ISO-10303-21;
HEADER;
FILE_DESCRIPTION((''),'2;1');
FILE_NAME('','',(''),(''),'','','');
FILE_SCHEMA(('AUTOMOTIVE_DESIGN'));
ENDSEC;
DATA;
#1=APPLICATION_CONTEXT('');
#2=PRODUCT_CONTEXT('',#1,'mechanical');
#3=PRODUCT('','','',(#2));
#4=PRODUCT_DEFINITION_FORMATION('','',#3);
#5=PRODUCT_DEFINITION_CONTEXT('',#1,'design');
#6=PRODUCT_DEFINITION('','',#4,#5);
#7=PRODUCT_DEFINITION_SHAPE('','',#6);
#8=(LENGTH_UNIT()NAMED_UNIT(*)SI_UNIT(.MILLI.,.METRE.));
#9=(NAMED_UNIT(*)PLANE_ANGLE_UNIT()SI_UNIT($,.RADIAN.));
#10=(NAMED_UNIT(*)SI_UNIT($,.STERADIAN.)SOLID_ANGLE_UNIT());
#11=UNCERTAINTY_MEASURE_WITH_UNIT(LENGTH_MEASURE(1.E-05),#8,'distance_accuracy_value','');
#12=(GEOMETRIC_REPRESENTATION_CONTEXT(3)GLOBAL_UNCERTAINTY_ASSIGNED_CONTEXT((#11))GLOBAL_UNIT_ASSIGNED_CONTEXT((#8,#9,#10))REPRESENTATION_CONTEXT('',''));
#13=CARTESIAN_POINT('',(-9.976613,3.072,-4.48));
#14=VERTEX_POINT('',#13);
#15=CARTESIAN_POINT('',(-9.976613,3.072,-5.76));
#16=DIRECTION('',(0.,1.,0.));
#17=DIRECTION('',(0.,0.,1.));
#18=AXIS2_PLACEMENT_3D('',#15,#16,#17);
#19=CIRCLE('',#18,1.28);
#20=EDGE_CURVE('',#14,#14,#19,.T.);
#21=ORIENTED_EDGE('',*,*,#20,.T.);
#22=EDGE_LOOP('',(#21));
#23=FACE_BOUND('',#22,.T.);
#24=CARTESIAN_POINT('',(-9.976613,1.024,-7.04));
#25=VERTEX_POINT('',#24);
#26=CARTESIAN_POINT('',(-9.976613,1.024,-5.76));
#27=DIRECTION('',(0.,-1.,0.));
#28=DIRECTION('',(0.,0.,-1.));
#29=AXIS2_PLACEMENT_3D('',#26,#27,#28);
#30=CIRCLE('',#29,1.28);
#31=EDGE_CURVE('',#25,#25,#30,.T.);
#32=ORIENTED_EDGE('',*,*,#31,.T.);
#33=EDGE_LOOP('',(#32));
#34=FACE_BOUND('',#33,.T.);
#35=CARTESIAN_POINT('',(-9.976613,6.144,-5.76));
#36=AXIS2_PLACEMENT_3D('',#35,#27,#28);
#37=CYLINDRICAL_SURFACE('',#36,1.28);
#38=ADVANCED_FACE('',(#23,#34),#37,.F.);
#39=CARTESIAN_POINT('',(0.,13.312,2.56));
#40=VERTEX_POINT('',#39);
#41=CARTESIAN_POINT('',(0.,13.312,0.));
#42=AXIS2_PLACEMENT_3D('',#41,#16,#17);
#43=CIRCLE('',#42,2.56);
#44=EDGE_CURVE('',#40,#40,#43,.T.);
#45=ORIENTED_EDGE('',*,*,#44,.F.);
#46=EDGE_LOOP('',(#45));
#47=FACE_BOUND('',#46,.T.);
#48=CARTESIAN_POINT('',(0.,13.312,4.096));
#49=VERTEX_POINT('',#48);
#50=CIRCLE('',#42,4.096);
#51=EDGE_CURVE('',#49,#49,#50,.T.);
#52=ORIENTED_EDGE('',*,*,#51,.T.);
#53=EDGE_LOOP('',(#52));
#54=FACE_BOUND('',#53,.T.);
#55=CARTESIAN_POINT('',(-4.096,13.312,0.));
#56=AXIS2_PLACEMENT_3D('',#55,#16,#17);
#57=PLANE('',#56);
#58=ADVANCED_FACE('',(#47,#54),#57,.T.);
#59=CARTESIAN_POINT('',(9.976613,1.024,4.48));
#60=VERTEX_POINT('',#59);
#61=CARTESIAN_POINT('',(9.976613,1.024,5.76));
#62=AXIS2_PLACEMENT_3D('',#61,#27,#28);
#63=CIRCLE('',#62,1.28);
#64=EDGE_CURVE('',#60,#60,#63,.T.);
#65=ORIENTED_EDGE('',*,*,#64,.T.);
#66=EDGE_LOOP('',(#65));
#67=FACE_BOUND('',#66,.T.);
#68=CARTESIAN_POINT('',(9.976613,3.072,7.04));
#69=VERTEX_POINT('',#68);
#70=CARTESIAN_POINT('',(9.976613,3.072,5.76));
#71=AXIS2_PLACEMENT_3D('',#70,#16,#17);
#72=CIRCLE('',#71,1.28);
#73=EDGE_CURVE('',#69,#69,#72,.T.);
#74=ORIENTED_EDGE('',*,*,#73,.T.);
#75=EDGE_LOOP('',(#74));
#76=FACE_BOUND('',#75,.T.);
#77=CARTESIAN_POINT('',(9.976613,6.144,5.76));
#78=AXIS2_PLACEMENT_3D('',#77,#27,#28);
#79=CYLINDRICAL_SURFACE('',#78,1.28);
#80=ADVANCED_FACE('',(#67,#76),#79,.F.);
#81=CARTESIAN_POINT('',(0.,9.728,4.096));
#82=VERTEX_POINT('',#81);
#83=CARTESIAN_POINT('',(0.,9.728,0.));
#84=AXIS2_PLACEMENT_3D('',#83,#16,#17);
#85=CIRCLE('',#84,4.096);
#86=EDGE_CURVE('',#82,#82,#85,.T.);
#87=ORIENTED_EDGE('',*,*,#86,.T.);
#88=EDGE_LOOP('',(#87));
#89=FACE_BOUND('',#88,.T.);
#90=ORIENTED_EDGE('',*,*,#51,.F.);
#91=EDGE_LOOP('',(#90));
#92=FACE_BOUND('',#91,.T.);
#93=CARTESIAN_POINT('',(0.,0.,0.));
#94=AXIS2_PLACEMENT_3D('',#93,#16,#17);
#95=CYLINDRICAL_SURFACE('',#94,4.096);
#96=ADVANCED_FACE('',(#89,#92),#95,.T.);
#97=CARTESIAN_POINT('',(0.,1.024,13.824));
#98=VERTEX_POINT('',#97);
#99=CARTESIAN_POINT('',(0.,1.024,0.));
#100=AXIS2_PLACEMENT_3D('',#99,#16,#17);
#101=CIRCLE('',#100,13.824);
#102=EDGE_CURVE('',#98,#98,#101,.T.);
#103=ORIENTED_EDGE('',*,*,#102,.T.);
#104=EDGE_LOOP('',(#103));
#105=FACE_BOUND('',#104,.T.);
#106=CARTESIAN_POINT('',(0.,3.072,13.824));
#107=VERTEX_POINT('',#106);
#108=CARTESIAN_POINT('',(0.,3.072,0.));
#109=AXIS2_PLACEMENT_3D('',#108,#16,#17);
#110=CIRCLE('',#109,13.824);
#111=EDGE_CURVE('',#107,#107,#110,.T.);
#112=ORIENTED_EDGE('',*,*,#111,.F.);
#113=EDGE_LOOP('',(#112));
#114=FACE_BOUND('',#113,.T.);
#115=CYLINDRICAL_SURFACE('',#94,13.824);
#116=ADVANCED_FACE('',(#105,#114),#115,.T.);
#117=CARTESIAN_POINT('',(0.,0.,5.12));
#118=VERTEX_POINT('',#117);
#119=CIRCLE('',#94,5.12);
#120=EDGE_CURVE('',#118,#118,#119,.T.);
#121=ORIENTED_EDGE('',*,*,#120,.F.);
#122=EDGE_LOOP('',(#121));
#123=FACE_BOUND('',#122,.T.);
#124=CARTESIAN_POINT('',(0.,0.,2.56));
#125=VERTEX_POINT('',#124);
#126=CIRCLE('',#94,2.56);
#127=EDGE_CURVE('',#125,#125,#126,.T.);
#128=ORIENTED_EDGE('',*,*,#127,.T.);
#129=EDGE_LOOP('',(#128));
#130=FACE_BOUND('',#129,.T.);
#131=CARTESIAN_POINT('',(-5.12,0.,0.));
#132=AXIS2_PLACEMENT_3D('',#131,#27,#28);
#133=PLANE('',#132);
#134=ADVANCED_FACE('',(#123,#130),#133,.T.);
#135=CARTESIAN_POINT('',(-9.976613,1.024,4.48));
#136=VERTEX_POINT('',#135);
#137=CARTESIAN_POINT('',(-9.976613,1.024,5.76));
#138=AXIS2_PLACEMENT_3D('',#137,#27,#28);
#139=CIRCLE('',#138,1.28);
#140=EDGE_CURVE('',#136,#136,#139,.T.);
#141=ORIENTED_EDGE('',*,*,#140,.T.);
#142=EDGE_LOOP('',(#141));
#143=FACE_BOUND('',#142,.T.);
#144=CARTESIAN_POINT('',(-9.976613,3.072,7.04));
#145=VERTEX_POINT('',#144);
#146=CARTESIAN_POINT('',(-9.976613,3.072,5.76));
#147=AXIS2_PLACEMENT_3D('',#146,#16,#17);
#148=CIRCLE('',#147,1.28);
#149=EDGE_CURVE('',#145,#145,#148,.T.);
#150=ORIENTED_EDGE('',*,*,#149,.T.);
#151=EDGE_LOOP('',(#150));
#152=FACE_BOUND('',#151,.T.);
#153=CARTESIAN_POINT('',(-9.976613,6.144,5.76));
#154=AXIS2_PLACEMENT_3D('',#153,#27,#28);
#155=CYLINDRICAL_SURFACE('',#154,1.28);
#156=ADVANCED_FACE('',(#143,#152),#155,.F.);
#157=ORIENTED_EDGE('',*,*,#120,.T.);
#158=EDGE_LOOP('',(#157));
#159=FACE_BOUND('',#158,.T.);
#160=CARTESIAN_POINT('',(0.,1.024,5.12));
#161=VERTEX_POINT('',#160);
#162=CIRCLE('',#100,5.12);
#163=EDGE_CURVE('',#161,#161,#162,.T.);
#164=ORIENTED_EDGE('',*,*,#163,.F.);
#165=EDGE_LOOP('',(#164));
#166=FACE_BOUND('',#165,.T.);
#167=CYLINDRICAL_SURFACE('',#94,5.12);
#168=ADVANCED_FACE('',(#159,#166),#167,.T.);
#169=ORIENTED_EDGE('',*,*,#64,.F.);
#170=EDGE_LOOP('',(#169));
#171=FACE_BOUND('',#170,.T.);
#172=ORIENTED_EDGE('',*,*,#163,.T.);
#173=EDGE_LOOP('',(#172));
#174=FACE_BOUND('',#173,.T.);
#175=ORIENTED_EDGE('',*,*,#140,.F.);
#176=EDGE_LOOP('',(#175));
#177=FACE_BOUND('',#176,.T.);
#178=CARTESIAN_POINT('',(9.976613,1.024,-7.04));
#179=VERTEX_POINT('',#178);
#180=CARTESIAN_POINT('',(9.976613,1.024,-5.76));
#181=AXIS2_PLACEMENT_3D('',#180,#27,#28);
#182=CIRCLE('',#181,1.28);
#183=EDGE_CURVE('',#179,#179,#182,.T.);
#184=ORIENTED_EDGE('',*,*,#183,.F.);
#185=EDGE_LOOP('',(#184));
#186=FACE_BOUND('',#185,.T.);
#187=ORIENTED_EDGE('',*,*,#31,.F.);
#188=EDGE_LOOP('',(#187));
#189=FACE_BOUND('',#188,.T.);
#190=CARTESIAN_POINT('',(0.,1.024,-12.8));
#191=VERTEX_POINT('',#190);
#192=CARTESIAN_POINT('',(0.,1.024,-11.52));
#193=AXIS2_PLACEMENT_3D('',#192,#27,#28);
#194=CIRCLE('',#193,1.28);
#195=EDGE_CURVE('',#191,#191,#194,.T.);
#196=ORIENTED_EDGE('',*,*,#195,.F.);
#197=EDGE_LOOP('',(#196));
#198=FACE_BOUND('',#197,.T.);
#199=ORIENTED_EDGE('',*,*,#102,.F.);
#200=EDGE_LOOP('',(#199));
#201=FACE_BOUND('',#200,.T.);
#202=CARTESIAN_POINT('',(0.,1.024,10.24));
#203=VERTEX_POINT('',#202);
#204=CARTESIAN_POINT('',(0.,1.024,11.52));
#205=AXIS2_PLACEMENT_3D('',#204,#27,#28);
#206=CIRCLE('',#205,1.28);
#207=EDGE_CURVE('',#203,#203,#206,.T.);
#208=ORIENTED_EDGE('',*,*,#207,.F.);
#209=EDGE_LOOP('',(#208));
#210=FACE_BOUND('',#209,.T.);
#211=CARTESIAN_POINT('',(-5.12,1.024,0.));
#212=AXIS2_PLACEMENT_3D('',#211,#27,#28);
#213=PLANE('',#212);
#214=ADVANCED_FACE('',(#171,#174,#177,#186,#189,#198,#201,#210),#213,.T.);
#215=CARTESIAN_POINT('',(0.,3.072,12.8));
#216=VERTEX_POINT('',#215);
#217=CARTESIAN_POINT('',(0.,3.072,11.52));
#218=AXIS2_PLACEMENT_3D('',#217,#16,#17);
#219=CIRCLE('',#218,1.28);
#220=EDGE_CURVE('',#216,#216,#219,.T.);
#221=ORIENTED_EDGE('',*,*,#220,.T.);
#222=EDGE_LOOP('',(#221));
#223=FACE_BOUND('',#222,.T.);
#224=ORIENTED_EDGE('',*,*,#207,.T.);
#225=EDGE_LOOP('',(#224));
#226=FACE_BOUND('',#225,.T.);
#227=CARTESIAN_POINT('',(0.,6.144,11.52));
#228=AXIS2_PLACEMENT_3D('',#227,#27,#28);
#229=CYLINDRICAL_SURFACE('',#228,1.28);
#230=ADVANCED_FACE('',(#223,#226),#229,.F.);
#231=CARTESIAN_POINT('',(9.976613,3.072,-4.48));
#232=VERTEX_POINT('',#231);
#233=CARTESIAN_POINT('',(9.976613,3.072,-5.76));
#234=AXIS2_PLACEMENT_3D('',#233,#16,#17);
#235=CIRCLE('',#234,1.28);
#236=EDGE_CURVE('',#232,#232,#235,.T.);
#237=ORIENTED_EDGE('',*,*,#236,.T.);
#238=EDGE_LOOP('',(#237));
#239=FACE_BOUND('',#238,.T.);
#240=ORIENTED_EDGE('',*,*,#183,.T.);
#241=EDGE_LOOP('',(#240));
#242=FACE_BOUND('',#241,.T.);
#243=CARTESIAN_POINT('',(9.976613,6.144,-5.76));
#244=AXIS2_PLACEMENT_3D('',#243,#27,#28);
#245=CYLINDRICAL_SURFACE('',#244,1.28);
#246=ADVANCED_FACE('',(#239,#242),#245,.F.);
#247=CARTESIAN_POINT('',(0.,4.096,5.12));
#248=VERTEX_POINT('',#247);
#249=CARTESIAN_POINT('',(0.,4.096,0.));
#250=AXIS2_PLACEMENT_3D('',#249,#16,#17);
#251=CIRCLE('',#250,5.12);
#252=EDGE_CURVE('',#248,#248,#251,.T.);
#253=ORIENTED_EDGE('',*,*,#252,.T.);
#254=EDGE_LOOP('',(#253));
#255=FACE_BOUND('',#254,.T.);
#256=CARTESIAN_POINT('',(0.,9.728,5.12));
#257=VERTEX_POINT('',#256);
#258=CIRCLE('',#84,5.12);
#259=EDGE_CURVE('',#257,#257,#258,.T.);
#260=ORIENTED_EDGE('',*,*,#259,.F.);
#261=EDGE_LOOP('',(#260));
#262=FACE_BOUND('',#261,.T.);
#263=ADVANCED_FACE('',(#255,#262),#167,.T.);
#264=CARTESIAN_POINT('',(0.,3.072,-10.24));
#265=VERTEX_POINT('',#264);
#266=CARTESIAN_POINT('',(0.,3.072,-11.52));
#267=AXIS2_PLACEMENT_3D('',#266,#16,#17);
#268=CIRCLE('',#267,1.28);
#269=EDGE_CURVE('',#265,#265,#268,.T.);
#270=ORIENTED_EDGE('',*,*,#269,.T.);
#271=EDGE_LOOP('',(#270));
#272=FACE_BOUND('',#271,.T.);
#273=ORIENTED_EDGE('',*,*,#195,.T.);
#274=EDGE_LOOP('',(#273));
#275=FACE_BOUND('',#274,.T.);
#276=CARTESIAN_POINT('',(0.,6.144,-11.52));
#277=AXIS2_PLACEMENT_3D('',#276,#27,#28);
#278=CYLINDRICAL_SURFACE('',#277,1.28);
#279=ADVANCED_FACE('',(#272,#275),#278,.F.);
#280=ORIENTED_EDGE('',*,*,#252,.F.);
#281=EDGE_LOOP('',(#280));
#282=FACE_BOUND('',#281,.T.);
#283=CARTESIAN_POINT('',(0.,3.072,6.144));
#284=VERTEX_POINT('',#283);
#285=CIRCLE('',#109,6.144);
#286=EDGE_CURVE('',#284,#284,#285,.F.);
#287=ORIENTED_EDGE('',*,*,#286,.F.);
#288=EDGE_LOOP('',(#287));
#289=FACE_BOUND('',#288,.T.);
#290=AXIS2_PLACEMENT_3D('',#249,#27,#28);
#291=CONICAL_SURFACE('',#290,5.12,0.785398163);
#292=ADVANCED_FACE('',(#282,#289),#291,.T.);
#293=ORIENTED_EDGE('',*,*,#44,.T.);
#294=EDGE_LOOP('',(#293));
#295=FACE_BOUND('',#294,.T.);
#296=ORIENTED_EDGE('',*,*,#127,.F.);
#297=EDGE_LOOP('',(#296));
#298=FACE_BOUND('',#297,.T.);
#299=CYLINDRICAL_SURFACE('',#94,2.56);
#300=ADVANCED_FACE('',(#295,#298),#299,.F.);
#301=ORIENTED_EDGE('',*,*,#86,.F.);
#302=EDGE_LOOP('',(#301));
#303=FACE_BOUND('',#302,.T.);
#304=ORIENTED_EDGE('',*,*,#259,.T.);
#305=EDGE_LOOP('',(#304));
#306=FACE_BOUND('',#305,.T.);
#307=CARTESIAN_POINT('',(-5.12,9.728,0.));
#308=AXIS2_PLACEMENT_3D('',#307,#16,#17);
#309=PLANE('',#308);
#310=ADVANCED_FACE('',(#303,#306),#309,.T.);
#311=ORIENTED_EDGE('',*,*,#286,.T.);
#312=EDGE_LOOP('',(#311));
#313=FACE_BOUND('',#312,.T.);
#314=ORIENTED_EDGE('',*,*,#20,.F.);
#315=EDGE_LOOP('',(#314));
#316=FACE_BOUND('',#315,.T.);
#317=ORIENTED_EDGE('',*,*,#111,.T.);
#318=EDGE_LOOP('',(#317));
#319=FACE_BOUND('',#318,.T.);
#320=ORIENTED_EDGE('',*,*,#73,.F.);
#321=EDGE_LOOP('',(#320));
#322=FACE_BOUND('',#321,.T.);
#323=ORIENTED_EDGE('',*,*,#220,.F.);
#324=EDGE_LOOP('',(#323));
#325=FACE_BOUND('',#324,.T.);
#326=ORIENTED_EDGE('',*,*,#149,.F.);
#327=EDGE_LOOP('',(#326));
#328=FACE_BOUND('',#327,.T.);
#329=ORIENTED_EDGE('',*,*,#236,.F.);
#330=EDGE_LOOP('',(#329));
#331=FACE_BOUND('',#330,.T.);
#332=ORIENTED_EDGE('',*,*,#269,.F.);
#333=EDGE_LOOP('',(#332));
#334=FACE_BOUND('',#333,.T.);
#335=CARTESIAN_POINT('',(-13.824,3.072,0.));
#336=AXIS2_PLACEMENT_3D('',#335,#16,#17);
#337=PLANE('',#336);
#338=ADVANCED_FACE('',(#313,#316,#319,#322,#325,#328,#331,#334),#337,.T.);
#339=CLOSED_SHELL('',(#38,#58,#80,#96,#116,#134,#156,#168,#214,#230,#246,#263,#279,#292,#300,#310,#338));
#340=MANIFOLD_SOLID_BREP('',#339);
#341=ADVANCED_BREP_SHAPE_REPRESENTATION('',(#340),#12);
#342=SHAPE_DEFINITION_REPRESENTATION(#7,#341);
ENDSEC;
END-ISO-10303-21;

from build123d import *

# Parameters (mm, degrees)
SKETCH_2_R          = 2.5
CUT_EXTRUDE_2_DEPTH = 10
CHAMFER_1_SIZE      = 2
SCALE_1_SCALE       = 0.8
SCALE_2_SCALE       = 0.8
SCALE_3_SCALE       = 0.8


with BuildPart() as part:
    # 草图1 → 旋转1 (revolve)
    with BuildSketch(Plane.XY, mode=Mode.PRIVATE) as revolve_1_sk:
        Polygon((-10, 2), (-27, 2), (-27, 6), (-10, 6), (-10, 19), (-8, 19), (-8, 26), (-5, 26), (-5, 0), (-10, 0), align=None)
    revolve(revolve_1_sk.sketch.rotate(Axis((0, 0, 0), (0, -1, 0)), 270), axis=Axis((0, 0, 0), (0, -1, 0)))

    # 草图2 → 切除-拉伸2 (cut)
    with BuildSketch(Plane.XZ.offset(-2)):
        with Locations(Location((0, 22.5, 0), (0, 0, 270))):
            Circle(SKETCH_2_R)
        with Locations(Location((19.485571585, 11.25, 0), (0, 0, 270))):
            Circle(SKETCH_2_R)
        with Locations(Location((19.485571585, -11.25, 0), (0, 0, 270))):
            Circle(SKETCH_2_R)
        with Locations(Location((0, -22.5, 0), (0, 0, 270))):
            Circle(SKETCH_2_R)
        with Locations(Location((-19.485571585, -11.25, 0), (0, 0, 270))):
            Circle(SKETCH_2_R)
        with Locations(Location((-19.485571585, 11.25, 0), (0, 0, 270))):
            Circle(SKETCH_2_R)
    extrude(amount=-CUT_EXTRUDE_2_DEPTH, mode=Mode.SUBTRACT)

    # 倒角1
    chamfer_1_edges = [part.edges().sort_by_distance(p)[0] for p in [
        (0, 6, -10),
    ]]
    chamfer(chamfer_1_edges, length=CHAMFER_1_SIZE)


with BuildPart() as part_1:
    # 缩放比例1: scaled about (0, 0, 0)
    add(part.part.scale(SCALE_1_SCALE))


with BuildPart() as part_2:
    # 缩放比例2: scaled about (0, 0, 0)
    add(part_1.part.scale(SCALE_2_SCALE))


with BuildPart() as part_3:
    # 缩放比例3: scaled about (0, 0, 0)
    add(part_2.part.scale(SCALE_3_SCALE))


solid = part_3.part
